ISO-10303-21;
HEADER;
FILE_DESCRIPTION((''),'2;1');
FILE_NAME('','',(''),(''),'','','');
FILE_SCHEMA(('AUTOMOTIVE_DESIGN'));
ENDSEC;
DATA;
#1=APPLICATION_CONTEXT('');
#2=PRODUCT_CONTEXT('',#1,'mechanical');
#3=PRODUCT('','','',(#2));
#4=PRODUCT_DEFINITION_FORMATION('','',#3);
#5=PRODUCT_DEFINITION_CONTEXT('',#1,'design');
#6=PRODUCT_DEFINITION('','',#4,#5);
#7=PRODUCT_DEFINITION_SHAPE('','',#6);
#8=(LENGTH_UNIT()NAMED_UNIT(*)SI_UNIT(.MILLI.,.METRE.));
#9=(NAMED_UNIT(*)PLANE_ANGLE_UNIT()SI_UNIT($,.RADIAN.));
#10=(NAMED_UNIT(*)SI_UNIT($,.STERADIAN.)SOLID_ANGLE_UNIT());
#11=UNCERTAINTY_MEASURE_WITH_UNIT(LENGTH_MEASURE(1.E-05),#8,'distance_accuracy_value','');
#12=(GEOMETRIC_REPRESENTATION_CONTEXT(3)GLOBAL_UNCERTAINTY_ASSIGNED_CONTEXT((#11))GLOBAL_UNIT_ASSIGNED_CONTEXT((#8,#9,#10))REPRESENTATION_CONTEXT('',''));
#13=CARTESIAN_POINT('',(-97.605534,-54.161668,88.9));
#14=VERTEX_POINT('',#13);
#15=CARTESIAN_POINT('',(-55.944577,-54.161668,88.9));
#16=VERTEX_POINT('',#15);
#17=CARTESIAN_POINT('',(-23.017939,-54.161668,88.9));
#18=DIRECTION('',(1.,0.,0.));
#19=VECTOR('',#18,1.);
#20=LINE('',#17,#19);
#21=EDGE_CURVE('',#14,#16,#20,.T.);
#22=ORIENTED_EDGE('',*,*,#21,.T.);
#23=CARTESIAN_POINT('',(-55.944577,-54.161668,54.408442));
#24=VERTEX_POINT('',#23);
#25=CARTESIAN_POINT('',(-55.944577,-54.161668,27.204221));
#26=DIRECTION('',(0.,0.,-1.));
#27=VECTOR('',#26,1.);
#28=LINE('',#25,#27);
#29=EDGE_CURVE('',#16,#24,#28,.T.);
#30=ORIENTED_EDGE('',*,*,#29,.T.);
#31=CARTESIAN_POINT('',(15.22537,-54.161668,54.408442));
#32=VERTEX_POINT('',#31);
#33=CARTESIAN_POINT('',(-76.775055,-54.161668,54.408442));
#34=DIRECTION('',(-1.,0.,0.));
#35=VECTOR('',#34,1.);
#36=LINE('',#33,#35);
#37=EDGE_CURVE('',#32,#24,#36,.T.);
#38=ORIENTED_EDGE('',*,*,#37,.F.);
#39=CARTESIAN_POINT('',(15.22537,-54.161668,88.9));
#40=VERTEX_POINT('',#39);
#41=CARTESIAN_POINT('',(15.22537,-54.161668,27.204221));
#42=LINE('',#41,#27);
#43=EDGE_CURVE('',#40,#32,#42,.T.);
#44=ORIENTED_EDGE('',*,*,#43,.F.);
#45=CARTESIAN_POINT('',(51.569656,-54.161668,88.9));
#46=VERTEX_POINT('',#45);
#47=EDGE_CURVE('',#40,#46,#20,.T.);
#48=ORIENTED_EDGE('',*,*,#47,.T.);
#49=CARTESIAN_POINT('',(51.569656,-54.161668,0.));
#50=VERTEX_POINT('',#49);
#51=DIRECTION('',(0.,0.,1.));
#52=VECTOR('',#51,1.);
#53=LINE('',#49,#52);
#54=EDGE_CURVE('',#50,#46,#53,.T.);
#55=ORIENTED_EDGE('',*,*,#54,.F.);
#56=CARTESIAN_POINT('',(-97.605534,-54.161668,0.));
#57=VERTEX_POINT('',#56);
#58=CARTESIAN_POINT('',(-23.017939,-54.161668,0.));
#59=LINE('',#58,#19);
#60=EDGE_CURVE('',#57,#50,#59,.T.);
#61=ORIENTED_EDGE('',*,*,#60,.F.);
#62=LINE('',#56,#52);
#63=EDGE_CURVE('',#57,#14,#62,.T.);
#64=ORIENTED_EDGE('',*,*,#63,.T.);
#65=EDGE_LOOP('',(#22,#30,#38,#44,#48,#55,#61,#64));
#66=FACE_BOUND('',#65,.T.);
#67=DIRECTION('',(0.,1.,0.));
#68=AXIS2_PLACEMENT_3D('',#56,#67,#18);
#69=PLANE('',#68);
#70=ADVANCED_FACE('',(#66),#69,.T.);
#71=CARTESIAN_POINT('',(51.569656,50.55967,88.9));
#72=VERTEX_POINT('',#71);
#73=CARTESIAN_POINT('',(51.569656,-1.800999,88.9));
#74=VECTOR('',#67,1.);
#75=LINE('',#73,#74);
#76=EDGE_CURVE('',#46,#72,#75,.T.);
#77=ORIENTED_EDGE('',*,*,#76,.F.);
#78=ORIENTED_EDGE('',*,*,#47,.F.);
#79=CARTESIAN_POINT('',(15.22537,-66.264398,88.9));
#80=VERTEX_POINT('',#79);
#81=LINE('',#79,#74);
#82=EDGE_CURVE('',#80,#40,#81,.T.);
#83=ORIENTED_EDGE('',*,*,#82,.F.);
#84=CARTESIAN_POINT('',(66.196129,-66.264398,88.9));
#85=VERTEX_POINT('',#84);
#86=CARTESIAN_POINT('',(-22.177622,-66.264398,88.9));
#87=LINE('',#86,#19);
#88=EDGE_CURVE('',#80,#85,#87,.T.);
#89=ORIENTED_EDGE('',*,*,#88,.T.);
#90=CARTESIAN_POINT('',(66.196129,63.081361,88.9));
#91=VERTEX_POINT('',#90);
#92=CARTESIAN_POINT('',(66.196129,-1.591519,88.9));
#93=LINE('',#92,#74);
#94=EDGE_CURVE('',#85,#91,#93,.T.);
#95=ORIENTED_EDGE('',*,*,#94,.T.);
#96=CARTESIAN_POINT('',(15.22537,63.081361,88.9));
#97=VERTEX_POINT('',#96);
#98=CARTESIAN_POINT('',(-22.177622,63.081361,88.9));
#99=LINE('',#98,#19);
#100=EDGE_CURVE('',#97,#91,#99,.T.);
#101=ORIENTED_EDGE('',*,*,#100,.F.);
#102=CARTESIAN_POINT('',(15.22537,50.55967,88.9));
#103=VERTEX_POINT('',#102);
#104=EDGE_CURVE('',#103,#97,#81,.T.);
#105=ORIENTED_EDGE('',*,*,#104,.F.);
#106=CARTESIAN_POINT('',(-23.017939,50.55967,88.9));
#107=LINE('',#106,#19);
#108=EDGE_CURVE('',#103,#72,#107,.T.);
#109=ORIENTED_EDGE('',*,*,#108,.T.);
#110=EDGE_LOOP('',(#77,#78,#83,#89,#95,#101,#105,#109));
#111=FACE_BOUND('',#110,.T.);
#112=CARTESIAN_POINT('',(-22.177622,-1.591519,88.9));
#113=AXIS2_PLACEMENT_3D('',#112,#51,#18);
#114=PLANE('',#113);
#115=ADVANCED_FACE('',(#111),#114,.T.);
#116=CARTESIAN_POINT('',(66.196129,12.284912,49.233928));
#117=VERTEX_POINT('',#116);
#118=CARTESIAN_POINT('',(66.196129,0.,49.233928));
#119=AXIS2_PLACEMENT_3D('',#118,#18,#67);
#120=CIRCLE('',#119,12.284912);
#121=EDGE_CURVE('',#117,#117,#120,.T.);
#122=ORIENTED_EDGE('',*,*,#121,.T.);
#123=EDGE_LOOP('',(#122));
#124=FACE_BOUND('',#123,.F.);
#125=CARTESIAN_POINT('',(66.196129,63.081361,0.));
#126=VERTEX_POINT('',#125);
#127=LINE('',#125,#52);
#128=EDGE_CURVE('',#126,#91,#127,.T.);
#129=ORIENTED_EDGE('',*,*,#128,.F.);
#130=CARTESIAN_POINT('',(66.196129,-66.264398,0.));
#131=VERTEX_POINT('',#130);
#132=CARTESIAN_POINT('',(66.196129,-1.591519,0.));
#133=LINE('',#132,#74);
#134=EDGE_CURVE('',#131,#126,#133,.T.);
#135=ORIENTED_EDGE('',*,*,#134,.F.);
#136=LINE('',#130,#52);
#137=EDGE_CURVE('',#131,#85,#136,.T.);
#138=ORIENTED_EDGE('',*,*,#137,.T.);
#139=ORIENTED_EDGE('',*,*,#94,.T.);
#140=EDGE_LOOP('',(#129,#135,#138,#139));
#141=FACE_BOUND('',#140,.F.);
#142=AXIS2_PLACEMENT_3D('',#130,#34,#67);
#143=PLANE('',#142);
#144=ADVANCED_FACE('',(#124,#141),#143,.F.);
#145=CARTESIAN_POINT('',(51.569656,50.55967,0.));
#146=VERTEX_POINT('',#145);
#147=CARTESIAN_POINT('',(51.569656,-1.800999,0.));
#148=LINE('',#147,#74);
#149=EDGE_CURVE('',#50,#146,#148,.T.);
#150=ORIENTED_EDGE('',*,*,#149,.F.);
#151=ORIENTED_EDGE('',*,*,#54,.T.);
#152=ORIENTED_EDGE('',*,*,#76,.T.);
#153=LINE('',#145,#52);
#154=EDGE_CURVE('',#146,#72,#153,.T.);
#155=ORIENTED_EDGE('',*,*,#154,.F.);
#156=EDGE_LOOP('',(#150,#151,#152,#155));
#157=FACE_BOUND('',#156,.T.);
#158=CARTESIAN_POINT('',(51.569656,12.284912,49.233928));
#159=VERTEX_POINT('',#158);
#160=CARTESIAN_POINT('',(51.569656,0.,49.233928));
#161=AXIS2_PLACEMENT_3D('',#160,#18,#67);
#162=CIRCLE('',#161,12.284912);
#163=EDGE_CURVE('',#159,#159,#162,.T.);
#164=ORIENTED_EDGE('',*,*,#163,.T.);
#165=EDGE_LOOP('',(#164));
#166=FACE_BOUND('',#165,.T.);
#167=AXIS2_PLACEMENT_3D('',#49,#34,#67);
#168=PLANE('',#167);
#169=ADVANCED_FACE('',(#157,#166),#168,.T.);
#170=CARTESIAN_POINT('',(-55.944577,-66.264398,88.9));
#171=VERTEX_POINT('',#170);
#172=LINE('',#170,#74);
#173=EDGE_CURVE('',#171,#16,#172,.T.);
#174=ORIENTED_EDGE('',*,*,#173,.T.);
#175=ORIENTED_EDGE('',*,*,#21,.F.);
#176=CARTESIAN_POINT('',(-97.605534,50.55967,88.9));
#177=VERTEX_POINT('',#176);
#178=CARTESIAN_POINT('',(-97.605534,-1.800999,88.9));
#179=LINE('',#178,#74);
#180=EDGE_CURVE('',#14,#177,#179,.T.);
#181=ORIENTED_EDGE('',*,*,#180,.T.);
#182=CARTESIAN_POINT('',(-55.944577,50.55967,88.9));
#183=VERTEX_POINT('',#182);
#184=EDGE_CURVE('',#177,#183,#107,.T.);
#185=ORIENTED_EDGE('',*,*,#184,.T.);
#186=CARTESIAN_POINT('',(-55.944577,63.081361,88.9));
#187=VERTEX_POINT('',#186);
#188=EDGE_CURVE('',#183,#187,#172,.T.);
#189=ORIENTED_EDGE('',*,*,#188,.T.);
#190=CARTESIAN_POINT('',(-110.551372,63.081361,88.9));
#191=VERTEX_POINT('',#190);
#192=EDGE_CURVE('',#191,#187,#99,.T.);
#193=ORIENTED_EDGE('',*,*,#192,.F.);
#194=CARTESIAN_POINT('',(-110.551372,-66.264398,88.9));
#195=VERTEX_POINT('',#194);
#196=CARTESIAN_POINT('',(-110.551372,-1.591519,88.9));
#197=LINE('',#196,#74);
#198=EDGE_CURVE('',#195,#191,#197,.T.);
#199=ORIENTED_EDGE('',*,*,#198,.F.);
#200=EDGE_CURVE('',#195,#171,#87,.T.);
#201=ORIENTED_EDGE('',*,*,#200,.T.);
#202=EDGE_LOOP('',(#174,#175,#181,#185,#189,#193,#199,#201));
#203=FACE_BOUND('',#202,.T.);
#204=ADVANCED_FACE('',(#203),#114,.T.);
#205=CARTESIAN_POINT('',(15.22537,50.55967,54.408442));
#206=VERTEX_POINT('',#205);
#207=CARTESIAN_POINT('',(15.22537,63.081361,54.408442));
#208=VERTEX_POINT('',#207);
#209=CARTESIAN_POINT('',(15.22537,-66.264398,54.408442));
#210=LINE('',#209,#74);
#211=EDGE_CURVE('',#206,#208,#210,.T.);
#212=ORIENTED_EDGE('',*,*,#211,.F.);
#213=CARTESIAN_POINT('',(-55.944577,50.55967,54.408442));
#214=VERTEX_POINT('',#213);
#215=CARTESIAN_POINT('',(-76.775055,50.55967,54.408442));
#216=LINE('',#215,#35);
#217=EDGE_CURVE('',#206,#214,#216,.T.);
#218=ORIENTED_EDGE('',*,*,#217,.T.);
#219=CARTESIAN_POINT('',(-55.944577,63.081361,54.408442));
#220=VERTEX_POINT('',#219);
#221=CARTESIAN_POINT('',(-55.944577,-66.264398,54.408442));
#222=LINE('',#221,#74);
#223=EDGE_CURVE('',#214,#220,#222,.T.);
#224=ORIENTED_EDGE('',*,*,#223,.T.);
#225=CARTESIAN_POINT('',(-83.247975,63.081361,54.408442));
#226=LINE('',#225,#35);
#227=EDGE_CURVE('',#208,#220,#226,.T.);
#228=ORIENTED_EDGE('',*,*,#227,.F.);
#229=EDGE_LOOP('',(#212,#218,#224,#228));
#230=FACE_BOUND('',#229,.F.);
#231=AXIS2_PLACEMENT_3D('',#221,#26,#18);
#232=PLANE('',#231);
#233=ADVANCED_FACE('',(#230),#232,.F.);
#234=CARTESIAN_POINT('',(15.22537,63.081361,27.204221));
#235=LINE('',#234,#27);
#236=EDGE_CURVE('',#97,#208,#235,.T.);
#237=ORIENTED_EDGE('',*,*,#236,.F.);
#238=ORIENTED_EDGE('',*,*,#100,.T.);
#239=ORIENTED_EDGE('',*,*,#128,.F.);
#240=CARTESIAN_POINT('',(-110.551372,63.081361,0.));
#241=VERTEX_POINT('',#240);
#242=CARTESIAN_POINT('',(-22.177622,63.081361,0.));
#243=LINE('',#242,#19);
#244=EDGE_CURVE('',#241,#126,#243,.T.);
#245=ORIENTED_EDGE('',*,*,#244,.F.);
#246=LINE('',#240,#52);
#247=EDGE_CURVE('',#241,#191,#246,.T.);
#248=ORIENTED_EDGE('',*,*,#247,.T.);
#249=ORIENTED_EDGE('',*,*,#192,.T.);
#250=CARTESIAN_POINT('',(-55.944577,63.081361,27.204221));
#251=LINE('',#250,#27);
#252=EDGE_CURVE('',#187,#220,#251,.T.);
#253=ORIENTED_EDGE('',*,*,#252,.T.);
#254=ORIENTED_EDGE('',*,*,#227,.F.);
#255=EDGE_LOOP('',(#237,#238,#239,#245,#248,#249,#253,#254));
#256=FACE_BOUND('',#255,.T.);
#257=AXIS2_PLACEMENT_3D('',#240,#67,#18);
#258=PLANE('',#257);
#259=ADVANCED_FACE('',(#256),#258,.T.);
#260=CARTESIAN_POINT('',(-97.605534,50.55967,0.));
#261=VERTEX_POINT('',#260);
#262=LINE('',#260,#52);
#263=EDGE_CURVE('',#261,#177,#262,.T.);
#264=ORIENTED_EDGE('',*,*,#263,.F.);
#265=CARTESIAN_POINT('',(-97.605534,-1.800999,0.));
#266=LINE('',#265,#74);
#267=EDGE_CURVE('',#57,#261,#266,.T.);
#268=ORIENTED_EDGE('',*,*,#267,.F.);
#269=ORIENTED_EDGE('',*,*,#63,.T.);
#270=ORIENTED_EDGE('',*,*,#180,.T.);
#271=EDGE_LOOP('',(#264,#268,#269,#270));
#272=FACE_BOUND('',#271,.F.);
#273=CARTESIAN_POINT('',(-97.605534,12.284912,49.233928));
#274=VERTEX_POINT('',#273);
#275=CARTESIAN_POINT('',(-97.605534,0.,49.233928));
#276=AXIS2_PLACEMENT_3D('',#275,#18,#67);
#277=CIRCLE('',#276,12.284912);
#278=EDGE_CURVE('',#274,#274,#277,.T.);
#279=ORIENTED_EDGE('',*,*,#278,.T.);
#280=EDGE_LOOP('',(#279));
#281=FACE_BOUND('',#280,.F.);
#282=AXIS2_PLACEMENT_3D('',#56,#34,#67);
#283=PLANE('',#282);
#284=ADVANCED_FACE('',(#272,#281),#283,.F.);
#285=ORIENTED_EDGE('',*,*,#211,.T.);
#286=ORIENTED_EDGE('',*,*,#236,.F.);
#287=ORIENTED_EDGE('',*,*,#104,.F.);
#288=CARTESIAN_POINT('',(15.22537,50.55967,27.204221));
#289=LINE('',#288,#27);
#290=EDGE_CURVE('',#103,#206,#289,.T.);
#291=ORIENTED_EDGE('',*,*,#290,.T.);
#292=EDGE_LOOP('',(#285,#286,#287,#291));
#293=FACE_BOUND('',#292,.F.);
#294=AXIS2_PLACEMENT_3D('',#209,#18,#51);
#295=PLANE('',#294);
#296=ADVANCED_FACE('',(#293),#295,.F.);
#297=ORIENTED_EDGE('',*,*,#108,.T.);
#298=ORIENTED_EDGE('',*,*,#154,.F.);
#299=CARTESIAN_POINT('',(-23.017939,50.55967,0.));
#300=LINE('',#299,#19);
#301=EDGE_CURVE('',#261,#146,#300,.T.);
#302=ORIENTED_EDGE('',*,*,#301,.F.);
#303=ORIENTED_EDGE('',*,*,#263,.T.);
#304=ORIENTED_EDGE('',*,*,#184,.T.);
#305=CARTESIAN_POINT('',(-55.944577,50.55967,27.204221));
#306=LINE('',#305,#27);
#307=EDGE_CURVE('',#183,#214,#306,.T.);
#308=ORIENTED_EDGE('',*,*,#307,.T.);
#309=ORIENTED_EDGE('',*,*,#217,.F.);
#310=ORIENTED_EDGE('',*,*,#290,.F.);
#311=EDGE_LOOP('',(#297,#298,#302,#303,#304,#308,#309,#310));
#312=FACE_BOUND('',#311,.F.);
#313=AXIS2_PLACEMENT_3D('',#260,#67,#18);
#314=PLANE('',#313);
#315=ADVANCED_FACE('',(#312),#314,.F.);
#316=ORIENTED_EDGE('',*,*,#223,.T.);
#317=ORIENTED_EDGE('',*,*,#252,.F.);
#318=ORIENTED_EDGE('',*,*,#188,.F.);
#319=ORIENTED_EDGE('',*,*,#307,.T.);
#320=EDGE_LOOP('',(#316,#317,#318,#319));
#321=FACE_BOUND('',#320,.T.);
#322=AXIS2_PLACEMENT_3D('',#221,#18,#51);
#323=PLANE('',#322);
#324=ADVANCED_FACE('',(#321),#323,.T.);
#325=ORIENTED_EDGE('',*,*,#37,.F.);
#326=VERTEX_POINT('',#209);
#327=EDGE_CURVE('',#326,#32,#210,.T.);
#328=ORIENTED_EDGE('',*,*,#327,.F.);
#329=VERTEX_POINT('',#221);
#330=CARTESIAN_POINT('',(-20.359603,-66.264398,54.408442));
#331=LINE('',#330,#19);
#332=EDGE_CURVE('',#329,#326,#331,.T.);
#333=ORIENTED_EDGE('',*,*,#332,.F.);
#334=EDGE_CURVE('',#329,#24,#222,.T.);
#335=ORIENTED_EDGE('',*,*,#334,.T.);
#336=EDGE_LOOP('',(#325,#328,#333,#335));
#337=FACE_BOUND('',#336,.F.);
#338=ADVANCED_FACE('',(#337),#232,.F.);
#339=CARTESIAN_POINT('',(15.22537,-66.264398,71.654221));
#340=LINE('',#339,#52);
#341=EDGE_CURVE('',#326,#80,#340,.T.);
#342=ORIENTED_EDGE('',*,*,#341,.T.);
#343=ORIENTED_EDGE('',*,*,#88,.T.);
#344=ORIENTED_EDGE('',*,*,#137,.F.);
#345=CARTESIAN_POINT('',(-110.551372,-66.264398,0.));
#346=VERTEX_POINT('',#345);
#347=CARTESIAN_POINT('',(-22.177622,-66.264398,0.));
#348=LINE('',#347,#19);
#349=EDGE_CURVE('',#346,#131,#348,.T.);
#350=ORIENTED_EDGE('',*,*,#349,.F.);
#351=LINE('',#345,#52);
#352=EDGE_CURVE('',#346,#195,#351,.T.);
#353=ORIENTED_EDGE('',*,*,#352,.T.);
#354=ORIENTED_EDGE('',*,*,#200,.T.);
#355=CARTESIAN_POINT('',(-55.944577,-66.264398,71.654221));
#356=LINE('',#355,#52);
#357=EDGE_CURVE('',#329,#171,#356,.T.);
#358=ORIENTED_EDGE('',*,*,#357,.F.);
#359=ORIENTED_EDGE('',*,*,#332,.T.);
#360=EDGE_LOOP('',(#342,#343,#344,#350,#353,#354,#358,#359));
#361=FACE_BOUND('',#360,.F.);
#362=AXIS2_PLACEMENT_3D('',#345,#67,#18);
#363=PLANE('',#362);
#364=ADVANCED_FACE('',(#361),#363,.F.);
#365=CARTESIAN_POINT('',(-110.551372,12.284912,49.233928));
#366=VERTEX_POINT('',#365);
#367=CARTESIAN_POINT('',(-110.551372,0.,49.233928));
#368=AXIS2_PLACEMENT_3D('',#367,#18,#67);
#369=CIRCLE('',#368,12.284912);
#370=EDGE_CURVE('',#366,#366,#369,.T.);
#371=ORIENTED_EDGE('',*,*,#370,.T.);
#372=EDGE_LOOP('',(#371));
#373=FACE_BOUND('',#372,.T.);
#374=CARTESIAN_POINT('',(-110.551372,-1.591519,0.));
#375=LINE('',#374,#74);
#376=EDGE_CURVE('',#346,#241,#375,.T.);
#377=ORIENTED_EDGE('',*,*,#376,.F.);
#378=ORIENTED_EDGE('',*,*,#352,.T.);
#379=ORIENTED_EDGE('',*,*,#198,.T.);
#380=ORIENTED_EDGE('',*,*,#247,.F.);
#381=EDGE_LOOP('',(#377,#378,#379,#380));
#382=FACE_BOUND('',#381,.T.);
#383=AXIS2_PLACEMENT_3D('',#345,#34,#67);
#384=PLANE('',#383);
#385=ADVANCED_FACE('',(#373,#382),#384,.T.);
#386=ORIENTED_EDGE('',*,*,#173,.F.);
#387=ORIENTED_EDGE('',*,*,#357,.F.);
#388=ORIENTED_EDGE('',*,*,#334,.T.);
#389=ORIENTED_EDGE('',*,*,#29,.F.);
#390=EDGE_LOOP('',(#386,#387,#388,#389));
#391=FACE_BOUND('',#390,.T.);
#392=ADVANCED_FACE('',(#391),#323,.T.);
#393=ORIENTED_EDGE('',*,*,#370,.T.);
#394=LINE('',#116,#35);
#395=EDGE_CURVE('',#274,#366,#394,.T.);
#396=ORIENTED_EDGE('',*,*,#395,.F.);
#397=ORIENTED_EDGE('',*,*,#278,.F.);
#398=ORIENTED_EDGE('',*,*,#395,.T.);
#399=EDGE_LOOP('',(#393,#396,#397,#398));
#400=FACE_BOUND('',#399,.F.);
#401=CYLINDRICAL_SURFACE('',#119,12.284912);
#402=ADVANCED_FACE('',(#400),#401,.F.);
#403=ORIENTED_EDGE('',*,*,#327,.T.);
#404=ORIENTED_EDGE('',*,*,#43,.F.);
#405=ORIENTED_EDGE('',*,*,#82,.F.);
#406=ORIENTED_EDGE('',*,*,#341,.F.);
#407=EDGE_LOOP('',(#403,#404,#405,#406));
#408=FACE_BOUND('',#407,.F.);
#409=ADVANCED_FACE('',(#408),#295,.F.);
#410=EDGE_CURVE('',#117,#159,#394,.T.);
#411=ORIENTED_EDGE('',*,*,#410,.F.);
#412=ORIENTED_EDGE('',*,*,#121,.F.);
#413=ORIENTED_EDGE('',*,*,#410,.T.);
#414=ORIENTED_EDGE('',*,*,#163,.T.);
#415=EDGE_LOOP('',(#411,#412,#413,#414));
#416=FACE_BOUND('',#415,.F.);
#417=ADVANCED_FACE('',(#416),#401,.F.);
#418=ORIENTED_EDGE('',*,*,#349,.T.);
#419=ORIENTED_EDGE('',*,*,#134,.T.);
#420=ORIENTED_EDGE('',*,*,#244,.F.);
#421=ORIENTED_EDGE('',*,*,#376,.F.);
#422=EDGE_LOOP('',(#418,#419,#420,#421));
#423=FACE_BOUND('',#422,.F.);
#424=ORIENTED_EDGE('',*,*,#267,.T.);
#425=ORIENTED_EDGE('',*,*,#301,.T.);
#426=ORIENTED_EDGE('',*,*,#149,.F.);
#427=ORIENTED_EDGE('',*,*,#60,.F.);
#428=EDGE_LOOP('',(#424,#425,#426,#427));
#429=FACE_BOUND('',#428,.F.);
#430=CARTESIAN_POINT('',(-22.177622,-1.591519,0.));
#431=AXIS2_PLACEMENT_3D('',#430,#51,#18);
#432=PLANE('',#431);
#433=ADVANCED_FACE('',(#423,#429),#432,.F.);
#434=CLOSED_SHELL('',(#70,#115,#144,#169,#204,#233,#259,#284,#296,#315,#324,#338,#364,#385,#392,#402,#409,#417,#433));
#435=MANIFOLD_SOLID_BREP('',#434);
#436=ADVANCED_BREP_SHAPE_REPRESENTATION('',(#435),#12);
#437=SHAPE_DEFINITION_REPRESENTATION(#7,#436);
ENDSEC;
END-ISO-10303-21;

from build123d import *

# Parameters (mm, degrees)
F0_W     = 176.7475008965
F0_H     = 129.3457597494
F0_W_2   = 149.1751894355
F0_H_2   = 104.7213375568
F1_DEPTH = 88.9
F2_W     = 71.169947274
F2_H     = 34.491557771
F3_DEPTH = 152.4
F4_R     = 12.2849122759
F5_DEPTH = 254


with BuildPart() as f1:
    # F0 (on Top) → F1 (new body)
    with BuildSketch(Plane.XY):
        with Locations((-22.1776217222, -1.5915185213)):
            Rectangle(F0_W, F0_H)
        with Locations((-23.0179391801, -1.8009990454)):
            Rectangle(F0_W_2, F0_H_2, mode=Mode.SUBTRACT)
    extrude(amount=F1_DEPTH)

    # F2 (on face) → F3 (cut)
    with BuildSketch(Plane.XZ.offset(66.264398396)):
        with Locations((-20.3596032225, 71.6542211145)):
            Rectangle(F2_W, F2_H)
    extrude(amount=-F3_DEPTH, mode=Mode.SUBTRACT)

    # F4 (on face) → F5 (cut)
    with BuildSketch(Plane.YZ.offset(66.196128726)):
        with Locations((0, 49.2339283228)):
            Circle(F4_R)
    extrude(amount=-F5_DEPTH, mode=Mode.SUBTRACT)


solid = f1.part
